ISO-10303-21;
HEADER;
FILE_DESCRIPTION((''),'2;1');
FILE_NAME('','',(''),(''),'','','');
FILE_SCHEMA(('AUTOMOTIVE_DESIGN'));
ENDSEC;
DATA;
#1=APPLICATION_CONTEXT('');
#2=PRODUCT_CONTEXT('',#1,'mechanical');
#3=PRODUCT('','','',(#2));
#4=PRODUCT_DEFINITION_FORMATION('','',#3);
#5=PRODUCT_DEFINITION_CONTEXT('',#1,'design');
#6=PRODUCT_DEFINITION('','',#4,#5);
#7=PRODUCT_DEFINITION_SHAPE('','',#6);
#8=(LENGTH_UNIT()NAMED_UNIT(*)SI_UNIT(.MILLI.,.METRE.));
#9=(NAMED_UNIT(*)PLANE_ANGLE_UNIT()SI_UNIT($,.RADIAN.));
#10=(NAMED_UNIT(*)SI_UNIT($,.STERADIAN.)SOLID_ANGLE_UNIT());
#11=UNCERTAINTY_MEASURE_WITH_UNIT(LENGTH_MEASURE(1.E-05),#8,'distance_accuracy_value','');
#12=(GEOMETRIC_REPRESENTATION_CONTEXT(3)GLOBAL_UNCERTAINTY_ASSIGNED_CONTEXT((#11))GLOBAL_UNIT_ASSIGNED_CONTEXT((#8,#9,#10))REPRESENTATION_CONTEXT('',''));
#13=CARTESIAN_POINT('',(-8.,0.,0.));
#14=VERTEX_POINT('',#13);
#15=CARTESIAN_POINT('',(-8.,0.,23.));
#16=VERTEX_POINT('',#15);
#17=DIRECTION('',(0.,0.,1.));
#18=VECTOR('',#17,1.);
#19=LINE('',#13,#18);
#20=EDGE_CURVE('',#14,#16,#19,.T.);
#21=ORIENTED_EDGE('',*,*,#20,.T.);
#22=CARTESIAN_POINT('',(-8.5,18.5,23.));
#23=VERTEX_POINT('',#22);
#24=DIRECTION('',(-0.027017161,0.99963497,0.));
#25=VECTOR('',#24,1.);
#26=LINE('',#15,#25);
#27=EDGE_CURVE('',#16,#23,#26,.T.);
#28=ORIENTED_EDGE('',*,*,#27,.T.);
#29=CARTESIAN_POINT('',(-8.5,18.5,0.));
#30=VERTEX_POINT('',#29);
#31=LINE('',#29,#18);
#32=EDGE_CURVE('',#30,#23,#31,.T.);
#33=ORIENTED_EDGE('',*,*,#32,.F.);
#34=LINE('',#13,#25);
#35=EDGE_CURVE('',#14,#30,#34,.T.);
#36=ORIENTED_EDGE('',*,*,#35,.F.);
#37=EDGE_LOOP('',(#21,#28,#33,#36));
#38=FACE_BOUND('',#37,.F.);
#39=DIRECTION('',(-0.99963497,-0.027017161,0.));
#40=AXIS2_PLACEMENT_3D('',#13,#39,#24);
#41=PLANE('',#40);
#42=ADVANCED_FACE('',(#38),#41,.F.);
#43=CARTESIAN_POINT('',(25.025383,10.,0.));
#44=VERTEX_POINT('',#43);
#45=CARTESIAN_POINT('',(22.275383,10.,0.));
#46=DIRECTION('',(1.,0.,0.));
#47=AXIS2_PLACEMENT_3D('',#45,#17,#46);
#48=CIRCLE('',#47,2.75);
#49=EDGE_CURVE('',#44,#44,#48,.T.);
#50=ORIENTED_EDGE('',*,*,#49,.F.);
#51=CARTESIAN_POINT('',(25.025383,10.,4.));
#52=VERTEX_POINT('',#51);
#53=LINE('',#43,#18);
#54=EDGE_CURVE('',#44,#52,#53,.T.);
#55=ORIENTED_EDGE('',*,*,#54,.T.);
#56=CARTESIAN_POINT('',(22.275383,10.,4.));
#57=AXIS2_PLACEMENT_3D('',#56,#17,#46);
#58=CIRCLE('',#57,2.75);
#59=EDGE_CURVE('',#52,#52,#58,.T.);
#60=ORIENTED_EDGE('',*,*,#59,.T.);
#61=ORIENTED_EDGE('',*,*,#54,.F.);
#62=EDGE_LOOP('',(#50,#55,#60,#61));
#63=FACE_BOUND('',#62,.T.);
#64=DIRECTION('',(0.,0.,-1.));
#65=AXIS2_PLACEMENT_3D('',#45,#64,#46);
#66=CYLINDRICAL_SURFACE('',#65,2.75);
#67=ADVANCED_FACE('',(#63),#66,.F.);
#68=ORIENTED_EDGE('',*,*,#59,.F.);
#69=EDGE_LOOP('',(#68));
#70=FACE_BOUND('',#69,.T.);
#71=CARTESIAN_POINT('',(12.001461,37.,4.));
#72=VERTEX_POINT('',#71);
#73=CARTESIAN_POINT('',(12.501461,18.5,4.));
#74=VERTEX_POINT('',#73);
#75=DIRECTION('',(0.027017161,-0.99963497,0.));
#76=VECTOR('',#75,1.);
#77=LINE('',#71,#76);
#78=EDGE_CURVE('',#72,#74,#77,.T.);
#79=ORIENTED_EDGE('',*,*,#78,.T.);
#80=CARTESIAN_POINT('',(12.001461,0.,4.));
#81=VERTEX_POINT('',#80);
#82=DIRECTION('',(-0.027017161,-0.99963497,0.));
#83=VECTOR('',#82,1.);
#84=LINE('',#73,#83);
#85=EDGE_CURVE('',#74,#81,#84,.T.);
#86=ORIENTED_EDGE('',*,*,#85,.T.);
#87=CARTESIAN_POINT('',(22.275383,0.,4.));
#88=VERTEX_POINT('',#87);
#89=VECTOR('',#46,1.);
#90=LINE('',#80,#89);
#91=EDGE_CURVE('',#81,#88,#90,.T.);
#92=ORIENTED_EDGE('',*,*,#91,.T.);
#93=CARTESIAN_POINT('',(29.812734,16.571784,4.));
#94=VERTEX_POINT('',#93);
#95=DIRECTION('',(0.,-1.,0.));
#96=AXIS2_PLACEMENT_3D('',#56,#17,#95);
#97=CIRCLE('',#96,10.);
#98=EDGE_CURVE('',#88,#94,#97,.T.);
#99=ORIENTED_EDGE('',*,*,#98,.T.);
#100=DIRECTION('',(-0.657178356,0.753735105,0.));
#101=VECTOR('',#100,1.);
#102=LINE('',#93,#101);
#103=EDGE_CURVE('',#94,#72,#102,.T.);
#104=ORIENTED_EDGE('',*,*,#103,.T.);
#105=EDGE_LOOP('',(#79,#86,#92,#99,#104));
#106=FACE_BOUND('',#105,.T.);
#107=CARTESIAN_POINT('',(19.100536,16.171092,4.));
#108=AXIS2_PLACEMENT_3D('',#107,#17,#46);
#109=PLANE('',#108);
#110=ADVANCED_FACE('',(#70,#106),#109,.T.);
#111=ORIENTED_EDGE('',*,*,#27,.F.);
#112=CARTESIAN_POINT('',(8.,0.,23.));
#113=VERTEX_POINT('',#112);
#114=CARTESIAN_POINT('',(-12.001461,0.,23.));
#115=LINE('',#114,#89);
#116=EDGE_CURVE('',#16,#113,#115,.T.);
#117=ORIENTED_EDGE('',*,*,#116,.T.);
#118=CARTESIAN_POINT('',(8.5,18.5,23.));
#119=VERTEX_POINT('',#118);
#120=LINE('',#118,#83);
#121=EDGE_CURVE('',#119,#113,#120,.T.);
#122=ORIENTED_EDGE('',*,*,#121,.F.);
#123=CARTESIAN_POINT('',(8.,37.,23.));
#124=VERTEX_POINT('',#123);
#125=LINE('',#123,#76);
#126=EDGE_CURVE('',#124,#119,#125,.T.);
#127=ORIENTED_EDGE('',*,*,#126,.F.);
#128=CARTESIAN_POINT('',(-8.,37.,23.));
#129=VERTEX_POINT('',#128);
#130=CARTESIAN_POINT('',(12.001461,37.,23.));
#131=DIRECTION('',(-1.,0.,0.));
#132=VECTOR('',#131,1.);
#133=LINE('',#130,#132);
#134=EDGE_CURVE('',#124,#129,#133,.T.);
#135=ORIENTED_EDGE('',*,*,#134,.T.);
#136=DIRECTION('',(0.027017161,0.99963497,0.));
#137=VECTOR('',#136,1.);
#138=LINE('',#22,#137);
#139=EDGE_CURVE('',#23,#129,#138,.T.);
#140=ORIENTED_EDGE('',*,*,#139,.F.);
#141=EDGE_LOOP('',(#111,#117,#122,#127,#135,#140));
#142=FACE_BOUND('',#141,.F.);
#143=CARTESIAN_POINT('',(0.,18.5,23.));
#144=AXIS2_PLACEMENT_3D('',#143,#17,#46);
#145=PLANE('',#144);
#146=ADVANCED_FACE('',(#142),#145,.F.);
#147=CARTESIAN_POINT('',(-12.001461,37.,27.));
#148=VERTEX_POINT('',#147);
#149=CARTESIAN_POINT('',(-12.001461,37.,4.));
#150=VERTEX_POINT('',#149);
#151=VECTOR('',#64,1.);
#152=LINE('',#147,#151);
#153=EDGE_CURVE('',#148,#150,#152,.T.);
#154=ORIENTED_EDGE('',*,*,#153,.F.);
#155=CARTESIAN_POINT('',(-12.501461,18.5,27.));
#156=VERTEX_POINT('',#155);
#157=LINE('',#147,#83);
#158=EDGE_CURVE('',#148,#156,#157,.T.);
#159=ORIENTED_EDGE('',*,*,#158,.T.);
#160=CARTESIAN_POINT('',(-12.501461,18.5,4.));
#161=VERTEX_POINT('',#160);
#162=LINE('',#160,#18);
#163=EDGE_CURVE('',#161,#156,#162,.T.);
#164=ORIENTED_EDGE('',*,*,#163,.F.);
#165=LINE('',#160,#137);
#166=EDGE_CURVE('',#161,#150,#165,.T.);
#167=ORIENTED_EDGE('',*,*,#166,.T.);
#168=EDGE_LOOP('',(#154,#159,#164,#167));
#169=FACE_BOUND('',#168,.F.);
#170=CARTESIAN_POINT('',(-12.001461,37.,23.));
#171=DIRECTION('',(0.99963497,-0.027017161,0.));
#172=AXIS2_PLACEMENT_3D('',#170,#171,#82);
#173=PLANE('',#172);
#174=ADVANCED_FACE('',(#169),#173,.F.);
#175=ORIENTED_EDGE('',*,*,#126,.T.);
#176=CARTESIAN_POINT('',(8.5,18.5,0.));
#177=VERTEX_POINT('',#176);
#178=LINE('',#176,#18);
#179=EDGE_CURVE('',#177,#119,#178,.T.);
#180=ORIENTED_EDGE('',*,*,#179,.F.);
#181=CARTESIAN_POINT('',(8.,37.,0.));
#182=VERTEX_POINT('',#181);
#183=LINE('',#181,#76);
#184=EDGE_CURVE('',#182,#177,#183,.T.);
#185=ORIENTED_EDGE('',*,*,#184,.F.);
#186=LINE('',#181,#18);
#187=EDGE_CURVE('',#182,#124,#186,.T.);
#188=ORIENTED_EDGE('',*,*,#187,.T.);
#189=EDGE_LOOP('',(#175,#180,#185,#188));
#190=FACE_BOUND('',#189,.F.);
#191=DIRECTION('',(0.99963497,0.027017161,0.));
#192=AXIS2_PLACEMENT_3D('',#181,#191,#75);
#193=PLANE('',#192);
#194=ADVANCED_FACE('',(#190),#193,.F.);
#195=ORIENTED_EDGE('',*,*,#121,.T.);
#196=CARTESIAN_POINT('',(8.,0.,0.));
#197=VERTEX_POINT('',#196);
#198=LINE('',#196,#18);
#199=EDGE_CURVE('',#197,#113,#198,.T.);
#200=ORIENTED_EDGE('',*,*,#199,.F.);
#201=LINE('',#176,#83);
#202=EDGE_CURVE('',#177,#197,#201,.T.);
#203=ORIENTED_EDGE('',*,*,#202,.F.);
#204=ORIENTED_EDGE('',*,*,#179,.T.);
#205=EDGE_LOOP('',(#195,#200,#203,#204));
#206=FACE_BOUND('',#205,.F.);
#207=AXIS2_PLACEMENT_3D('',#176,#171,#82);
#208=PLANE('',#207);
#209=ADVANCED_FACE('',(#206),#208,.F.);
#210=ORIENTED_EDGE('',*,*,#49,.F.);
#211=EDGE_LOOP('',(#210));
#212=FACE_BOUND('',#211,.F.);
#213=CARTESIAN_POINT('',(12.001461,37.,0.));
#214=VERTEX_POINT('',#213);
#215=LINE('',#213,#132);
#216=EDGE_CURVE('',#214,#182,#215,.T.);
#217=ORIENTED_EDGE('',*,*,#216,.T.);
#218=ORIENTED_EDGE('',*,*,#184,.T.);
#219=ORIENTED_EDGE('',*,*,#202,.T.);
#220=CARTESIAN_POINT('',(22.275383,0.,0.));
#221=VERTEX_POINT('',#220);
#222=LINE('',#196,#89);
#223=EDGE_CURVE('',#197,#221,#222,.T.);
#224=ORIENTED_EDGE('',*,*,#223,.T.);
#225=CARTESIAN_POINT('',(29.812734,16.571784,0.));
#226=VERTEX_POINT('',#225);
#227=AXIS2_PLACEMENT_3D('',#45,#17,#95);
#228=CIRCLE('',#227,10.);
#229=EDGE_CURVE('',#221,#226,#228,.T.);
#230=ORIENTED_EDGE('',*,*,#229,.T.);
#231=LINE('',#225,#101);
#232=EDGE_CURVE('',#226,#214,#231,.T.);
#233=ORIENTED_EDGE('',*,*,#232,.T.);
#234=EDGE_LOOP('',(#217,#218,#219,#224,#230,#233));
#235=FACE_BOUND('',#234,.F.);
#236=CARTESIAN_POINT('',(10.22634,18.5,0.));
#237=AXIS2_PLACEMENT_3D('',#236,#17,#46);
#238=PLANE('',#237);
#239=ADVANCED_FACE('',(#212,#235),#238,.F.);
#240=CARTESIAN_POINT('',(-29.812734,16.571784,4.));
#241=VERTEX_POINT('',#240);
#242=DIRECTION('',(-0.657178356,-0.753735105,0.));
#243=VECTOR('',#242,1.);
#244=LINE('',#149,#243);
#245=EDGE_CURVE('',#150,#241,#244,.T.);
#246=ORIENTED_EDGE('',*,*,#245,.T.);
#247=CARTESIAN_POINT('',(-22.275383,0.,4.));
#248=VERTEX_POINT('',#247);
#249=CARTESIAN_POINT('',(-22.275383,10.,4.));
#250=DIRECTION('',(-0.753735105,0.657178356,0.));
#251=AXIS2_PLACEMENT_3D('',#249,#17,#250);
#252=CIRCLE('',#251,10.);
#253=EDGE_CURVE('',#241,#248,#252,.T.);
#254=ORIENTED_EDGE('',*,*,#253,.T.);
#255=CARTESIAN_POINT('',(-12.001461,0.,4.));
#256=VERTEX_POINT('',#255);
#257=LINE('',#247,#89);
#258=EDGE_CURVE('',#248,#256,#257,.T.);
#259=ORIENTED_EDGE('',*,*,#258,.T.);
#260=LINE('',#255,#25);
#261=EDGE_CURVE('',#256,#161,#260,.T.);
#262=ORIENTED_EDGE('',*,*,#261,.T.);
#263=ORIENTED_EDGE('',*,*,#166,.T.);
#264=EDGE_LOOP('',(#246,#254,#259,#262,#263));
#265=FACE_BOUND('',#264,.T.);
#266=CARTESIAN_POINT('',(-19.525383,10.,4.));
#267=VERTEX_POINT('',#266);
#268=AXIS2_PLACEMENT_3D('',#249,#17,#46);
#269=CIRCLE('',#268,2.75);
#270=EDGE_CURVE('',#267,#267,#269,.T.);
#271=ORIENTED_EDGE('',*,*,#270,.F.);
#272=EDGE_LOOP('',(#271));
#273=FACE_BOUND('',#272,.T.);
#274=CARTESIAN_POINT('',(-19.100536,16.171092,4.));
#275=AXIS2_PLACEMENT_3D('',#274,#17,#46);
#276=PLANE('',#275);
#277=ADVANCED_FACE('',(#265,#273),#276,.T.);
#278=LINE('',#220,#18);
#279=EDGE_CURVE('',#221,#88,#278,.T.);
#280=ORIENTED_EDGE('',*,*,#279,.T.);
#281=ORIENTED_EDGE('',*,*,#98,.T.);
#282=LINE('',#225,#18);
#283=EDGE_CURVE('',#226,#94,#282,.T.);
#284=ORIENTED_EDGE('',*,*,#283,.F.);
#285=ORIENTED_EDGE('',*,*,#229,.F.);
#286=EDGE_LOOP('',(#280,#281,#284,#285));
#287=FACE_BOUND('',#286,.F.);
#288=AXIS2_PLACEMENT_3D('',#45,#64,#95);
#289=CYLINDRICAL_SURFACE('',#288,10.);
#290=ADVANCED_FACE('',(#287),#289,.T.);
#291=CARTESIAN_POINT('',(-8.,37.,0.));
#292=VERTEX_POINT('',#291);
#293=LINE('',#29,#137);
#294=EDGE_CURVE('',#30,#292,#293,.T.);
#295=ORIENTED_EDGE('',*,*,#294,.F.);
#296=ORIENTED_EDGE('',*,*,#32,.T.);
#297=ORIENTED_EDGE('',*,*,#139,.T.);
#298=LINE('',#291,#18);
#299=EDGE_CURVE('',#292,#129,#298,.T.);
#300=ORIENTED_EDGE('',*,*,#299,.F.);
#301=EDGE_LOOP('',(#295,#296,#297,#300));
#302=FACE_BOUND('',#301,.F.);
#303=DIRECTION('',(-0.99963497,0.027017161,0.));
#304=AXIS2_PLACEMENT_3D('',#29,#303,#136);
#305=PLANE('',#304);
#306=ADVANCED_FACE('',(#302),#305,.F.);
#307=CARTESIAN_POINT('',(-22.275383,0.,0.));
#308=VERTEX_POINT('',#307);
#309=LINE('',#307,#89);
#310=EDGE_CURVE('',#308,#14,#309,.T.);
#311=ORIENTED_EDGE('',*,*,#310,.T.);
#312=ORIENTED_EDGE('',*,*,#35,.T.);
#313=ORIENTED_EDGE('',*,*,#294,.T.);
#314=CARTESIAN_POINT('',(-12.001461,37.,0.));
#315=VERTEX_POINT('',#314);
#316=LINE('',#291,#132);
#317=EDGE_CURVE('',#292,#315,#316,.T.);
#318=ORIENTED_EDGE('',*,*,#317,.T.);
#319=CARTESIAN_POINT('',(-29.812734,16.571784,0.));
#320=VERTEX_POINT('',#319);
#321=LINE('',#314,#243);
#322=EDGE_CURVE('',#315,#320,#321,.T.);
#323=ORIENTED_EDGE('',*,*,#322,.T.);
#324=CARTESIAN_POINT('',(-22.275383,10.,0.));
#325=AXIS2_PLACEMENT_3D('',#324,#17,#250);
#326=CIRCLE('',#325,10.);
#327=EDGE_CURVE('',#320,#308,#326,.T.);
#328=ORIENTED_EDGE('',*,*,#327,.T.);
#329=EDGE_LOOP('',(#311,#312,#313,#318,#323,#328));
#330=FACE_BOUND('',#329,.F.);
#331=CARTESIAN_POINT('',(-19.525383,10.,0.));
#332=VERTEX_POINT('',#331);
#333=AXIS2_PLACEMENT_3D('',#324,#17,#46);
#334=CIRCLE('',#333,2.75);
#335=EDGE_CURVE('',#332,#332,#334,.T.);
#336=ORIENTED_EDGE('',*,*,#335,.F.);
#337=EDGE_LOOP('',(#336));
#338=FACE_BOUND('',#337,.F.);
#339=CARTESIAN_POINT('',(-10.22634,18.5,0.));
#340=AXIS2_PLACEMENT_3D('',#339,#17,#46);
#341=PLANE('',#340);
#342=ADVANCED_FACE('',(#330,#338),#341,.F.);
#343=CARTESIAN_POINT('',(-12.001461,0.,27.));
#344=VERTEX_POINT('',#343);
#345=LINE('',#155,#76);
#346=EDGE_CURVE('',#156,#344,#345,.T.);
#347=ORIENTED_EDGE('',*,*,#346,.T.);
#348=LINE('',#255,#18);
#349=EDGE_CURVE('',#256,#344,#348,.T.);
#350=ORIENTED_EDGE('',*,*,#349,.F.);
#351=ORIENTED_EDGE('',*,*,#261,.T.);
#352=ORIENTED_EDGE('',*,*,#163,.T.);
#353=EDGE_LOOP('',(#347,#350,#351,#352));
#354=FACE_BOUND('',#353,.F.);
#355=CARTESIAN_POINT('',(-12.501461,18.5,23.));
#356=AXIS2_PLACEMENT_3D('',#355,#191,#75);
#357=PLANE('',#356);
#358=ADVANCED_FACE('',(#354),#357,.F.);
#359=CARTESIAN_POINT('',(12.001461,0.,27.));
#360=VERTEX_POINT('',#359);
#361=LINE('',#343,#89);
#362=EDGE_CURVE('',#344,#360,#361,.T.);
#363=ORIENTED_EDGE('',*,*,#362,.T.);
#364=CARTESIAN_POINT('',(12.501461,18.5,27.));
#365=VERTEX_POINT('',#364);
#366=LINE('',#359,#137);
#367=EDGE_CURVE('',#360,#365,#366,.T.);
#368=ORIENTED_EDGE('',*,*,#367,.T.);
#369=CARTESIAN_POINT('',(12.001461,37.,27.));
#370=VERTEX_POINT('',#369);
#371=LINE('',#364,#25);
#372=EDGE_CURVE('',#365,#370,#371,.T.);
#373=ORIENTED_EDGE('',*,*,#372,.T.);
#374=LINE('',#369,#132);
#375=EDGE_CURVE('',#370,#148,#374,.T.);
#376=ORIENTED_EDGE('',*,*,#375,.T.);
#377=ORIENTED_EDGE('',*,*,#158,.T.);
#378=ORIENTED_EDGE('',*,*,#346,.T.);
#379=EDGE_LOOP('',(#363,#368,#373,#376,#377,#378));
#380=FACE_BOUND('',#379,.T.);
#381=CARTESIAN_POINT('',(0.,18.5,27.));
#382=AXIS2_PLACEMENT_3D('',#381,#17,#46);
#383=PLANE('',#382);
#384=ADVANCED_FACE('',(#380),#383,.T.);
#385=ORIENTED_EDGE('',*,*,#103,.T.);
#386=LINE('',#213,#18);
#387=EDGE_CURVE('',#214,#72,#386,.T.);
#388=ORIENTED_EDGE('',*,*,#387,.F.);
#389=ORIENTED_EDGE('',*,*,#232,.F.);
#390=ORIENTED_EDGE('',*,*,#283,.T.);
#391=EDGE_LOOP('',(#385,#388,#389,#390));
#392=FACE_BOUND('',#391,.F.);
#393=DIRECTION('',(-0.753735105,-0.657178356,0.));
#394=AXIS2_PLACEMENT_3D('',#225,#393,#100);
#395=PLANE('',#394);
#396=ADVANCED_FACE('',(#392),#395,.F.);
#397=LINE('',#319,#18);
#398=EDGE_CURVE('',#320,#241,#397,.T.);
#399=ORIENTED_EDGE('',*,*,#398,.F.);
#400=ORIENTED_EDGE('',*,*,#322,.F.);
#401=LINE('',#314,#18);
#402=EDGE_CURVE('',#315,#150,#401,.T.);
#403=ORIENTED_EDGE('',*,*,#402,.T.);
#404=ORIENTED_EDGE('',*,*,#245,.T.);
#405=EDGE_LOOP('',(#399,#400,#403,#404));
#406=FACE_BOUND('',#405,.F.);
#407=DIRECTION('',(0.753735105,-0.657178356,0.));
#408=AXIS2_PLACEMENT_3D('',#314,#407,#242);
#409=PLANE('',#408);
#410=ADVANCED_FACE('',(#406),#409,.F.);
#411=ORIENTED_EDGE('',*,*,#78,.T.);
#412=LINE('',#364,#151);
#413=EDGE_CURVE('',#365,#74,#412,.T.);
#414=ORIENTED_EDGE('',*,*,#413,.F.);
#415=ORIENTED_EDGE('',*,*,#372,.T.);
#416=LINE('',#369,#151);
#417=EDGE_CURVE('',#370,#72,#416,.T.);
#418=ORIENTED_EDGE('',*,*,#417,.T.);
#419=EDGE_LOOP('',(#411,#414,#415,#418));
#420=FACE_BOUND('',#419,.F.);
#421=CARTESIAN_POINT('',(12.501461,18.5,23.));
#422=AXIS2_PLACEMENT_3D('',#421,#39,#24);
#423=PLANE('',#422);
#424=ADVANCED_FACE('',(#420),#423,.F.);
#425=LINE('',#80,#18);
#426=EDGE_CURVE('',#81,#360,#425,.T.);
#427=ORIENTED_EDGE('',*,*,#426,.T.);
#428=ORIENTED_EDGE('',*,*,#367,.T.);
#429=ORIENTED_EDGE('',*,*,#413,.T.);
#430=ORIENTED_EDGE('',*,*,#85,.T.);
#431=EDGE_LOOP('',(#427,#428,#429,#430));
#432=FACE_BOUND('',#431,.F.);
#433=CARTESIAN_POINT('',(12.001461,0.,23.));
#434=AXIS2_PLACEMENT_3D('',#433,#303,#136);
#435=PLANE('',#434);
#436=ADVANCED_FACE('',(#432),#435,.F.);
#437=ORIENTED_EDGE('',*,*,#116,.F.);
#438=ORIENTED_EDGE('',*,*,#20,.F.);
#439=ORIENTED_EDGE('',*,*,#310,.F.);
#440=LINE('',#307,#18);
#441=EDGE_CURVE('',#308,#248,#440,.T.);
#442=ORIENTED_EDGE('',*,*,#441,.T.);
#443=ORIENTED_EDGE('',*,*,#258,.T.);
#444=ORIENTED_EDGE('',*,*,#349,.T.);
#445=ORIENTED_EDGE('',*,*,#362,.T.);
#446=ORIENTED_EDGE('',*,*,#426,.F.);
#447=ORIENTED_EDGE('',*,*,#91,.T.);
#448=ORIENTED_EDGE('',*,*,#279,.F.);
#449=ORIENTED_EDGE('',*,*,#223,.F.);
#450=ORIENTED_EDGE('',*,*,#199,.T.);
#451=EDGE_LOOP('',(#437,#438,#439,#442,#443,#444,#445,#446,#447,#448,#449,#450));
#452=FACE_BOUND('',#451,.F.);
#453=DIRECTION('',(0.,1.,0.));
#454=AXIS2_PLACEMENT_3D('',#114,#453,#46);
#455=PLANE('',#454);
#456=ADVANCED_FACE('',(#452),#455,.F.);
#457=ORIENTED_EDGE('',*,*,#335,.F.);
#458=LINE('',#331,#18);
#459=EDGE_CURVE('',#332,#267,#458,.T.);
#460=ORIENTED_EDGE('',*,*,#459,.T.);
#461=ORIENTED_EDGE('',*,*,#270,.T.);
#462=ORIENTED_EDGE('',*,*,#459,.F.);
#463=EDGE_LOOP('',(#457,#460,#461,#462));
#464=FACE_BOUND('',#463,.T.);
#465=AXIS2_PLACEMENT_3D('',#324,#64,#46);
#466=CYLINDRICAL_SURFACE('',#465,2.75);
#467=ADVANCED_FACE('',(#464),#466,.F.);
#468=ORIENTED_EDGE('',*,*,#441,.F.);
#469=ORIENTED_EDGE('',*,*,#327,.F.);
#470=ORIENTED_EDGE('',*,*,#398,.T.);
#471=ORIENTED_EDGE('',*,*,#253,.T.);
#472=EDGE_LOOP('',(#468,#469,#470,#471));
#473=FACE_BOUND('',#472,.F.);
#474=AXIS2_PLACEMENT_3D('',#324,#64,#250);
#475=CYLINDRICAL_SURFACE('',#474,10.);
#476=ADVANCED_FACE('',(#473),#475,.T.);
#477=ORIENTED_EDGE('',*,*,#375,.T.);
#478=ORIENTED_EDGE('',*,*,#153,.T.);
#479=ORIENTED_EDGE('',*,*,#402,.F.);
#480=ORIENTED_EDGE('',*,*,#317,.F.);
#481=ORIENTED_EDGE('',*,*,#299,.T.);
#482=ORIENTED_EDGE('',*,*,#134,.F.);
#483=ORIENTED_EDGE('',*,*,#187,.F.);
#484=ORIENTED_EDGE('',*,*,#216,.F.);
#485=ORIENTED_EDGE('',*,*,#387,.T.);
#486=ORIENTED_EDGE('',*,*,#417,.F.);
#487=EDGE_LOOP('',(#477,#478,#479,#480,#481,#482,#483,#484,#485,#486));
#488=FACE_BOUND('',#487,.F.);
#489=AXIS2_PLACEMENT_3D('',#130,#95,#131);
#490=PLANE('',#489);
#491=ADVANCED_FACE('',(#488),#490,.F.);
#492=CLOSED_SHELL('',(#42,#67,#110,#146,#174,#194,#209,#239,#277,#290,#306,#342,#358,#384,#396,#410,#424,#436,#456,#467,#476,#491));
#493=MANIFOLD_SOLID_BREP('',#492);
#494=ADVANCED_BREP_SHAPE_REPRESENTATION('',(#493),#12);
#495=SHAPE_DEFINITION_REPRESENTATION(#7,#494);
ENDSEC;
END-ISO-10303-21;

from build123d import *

# Parameters (mm, degrees)
F0_R     = 2.75
F1_DEPTH = 4
F2_DEPTH = 23
F3_START = 23
F3_DEPTH = 4


with BuildPart() as f1:
    # F0 (on Top) → F1 (new body)
    with BuildSketch(Plane.XY):
        with BuildLine():
            Line((12.5014606537, 18.5), (12.0014606537, 0))
            Line((12.0014606537, 0), (22.2753825582, 0))
            ThreePointArc((22.2753825582, 0), (31.378069952, 5.859820993), (29.8127336093, 16.571783558))
            Line((29.8127336093, 16.571783558), (12.0014606537, 37))
            Line((12.0014606537, 37), (12.5014606537, 18.5))
        make_face()
        with Locations((22.2753825582, 10)):
            Circle(F0_R, mode=Mode.SUBTRACT)
    extrude(amount=F1_DEPTH)

    # F0 (on Top) → F2, piece 2 (join)
    with BuildSketch(Plane.XY):
        Polygon((8.5, 18.5), (8, 0), (12.0014606537, 0), (12.5014606537, 18.5), (12.0014606537, 37), (8, 37), align=None)
    extrude(amount=F2_DEPTH)



with BuildPart() as f1b:
    # F0 (on Top) → F1, piece 2 (new body)
    with BuildSketch(Plane.XY):
        with BuildLine():
            ThreePointArc((-29.8127336093, 16.571783558), (-31.378069952, 5.859820993), (-22.2753825582, 0))
            Line((-22.2753825582, 0), (-12.0014606537, 0))
            Line((-12.0014606537, 0), (-12.5014606537, 18.5))
            Line((-12.5014606537, 18.5), (-12.0014606537, 37))
            Line((-12.0014606537, 37), (-29.8127336093, 16.571783558))
        make_face()
        with Locations((-22.2753825582, 10)):
            Circle(F0_R, mode=Mode.SUBTRACT)
    extrude(amount=F1_DEPTH)

    # F0 (on Top) → F2 (join)
    with BuildSketch(Plane.XY):
        Polygon((-12.5014606537, 18.5), (-12.0014606537, 0), (-8, 0), (-8.5, 18.5), (-8, 37), (-12.0014606537, 37), align=None)
    extrude(amount=F2_DEPTH)


with BuildPart() as f1_1:
    add(f1.part)

    add(f1b.part)  # F3 merges F1b
    # F0 (on Top) → F3 (join)
    with BuildSketch(Plane.XY.offset(F3_START)):
        Polygon((-8.5, 18.5), (-8, 0), (8, 0), (8.5, 18.5), (8, 37), (-8, 37), align=None)
        Polygon((-12.5014606537, 18.5), (-12.0014606537, 0), (-8, 0), (-8.5, 18.5), (-8, 37), (-12.0014606537, 37), align=None)
        Polygon((8.5, 18.5), (8, 0), (12.0014606537, 0), (12.5014606537, 18.5), (12.0014606537, 37), (8, 37), align=None)
    extrude(amount=F3_DEPTH)


solid = f1_1.part
